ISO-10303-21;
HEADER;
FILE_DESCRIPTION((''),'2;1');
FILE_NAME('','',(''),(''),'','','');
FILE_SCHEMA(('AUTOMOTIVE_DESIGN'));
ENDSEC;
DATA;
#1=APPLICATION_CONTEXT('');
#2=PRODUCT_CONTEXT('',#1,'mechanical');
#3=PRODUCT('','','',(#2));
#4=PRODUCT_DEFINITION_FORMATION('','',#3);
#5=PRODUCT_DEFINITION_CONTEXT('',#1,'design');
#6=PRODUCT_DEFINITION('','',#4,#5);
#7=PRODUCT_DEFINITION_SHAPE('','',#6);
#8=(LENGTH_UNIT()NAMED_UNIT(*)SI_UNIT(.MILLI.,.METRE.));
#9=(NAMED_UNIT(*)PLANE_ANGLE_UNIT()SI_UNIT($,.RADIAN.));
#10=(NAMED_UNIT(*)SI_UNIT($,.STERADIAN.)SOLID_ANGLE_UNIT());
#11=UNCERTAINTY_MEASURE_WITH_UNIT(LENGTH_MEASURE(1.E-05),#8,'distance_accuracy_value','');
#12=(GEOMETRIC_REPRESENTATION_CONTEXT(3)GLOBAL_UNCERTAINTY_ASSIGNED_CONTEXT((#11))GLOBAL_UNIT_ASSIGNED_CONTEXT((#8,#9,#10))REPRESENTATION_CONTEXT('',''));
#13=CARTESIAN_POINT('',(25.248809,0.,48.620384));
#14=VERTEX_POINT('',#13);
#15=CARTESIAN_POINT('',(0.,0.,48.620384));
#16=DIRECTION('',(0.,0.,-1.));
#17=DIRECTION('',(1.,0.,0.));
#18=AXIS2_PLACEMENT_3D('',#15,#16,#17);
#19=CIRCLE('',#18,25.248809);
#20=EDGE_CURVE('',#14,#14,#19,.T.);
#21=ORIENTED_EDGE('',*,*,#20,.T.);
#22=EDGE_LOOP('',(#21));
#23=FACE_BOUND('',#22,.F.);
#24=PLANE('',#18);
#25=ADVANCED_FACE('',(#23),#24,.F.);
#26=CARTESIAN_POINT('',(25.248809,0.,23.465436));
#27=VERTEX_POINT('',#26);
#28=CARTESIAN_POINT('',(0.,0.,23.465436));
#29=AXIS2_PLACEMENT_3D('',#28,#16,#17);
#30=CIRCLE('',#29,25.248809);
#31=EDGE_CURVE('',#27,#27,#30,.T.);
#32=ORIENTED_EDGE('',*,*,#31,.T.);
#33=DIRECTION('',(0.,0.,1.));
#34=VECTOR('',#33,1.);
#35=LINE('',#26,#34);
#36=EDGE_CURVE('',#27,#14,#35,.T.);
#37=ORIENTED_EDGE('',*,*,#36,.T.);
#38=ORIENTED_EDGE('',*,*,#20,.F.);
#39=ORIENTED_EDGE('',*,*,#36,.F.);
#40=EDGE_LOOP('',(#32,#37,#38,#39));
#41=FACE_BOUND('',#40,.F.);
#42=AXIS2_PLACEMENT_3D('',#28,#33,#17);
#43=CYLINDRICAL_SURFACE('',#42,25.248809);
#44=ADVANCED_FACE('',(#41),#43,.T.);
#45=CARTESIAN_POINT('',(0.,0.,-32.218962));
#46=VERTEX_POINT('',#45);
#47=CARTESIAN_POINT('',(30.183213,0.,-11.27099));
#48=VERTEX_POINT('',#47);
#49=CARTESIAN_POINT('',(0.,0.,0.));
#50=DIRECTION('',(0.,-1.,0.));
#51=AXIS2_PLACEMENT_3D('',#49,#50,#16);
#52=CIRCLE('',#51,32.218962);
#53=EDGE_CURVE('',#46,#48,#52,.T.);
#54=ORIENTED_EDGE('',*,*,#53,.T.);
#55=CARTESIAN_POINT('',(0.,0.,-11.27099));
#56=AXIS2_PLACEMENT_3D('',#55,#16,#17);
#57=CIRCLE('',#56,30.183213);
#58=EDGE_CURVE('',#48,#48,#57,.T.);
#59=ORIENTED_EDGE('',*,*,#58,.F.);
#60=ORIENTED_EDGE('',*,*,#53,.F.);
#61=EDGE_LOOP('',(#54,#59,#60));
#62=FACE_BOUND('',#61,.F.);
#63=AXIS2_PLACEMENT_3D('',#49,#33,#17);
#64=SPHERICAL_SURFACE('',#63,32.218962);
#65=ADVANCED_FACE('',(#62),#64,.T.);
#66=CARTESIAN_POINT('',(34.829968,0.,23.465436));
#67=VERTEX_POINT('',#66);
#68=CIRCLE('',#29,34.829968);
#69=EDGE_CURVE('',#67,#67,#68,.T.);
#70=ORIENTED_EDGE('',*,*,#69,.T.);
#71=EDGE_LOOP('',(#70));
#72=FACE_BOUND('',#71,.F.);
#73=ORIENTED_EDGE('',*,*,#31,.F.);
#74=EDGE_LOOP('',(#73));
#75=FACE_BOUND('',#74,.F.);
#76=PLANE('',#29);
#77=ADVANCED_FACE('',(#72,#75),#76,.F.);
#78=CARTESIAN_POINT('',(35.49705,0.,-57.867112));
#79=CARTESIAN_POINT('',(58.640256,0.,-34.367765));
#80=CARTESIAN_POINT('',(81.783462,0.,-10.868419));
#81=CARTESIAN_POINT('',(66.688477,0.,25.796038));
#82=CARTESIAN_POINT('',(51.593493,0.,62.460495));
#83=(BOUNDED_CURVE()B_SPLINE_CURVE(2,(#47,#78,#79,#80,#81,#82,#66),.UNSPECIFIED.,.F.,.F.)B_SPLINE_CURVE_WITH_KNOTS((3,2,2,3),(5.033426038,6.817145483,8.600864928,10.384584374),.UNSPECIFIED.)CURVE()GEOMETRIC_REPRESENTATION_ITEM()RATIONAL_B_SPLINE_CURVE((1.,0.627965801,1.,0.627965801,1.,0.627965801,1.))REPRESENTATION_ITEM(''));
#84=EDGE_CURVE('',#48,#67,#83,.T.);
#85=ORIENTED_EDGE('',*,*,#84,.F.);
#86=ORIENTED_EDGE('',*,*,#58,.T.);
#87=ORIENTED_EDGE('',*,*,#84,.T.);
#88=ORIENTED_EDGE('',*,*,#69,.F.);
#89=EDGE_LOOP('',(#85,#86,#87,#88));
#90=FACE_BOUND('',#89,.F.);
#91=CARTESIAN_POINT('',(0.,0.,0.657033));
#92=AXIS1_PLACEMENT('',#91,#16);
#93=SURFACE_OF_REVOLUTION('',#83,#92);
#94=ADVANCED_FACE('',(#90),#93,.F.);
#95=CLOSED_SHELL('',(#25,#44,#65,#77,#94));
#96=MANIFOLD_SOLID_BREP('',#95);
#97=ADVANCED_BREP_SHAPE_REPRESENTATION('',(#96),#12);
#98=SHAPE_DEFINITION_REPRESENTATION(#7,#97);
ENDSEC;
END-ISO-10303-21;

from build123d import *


with BuildPart() as f1:
    # F0 (on Front) → F1 (revolve)
    with BuildSketch(Plane.XZ):
        with BuildLine():
            Line((25.2488087863, 48.6203841865), (0, 48.6203841865))
            Line((0, 48.6203841865), (0, -32.2189624152))
            ThreePointArc((0, -32.2189624152), (18.3701109193, -26.4688602686), (30.1832127787, -11.2709895512))
            add(Edge.make_bspline(
                [(30.1832127787, -11.2709895512), (35.4970498711, -57.8671117738), (58.6402560557, -34.3677653659), (81.7834622404, -10.868418958), (66.6884774335, 25.7960379381), (51.5934926267, 62.4604948341), (34.8299675876, 23.4654359519)],
                knots=[5.0334260376, 5.0334260376, 5.0334260376, 6.817145483, 6.817145483, 8.6008649284, 8.6008649284, 10.3845843737, 10.3845843737, 10.3845843737], degree=2, weights=[1, 0.627965801, 1, 0.627965801, 1, 0.627965801, 1]))
            Line((34.8299675876, 23.4654359519), (25.2488087863, 23.4654359519))
            Line((25.2488087863, 23.4654359519), (25.2488087863, 48.6203841865))
        make_face()
    revolve(axis=Axis((0, 0, 0.6570331752), (0, 0, -1)))


solid = f1.part
